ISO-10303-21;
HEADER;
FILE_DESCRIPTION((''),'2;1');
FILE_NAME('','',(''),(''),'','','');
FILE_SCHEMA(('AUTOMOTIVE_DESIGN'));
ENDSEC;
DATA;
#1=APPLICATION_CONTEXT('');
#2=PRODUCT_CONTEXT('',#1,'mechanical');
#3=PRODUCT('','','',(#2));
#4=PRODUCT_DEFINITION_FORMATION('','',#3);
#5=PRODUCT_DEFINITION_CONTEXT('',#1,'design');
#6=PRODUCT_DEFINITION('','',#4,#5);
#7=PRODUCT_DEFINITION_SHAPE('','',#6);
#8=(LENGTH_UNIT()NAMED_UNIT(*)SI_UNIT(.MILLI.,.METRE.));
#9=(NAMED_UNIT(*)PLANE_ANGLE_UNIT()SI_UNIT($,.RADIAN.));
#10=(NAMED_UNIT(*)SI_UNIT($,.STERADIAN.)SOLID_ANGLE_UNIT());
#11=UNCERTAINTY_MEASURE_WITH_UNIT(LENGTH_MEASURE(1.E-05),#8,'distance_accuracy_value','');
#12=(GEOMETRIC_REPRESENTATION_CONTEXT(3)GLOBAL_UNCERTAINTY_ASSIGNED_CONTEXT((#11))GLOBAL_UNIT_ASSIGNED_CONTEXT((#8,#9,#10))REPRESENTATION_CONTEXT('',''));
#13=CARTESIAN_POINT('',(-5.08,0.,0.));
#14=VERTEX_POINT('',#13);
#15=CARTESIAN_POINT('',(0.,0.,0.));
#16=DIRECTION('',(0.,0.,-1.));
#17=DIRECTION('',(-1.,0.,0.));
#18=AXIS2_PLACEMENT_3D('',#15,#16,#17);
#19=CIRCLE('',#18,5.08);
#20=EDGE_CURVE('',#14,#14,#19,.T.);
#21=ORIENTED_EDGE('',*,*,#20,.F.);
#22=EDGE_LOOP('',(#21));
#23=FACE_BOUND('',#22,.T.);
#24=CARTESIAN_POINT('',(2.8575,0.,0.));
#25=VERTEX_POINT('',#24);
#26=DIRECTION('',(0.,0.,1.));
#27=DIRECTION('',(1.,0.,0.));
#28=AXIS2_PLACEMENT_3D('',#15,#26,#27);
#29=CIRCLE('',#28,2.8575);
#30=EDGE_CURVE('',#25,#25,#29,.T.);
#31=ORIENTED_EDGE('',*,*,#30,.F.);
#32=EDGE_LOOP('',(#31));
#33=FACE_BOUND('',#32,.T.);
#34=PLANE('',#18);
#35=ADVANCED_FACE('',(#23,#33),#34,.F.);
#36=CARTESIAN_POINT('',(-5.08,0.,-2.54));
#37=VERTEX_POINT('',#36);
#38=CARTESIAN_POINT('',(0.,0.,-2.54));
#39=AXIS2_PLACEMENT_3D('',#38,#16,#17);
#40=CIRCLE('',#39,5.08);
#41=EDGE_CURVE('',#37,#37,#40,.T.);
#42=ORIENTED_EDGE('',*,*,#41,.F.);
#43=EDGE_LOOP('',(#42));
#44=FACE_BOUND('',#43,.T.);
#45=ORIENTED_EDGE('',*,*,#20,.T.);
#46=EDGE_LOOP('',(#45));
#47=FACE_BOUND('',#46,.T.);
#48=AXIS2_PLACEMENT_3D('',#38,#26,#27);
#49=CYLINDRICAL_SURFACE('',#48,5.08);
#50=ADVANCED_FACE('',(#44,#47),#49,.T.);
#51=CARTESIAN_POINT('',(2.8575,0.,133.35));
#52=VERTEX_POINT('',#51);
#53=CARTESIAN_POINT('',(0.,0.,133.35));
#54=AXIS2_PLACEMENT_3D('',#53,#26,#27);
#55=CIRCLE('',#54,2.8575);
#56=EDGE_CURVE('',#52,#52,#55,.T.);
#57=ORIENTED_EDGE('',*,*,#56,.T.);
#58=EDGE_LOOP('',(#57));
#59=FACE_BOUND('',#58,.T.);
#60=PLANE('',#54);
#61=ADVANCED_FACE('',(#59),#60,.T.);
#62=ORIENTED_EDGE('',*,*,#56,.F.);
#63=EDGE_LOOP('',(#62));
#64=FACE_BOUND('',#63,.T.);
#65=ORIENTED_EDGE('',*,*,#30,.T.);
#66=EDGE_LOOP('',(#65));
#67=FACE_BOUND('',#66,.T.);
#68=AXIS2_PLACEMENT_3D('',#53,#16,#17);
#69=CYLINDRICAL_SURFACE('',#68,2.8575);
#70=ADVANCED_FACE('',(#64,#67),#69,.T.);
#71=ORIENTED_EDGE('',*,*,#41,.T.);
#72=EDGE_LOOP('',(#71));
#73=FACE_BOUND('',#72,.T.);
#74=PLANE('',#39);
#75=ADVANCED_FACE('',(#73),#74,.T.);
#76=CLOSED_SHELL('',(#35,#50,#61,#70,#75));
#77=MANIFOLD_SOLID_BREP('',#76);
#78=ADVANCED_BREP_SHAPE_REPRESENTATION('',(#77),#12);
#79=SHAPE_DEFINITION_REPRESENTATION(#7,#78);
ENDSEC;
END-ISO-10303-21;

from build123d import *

# Parameters (mm, degrees)
SKETCH1_R           = 2.8575
BOSS_EXTRUDE1_DEPTH = 133.35
SKETCH2_R           = 5.08
BOSS_EXTRUDE2_DEPTH = 2.54


with BuildPart() as part:
    # Sketch1 → Boss-Extrude1 (new body)
    with BuildSketch(Plane.XY):
        Circle(SKETCH1_R)
    extrude(amount=BOSS_EXTRUDE1_DEPTH)

    # Sketch2 → Boss-Extrude2 (add)
    with BuildSketch(Plane(origin=(0, 0, 0), x_dir=(-1, 0, 0), z_dir=(0, 0, -1))):
        Circle(SKETCH2_R)
    extrude(amount=BOSS_EXTRUDE2_DEPTH)


solid = part.part
